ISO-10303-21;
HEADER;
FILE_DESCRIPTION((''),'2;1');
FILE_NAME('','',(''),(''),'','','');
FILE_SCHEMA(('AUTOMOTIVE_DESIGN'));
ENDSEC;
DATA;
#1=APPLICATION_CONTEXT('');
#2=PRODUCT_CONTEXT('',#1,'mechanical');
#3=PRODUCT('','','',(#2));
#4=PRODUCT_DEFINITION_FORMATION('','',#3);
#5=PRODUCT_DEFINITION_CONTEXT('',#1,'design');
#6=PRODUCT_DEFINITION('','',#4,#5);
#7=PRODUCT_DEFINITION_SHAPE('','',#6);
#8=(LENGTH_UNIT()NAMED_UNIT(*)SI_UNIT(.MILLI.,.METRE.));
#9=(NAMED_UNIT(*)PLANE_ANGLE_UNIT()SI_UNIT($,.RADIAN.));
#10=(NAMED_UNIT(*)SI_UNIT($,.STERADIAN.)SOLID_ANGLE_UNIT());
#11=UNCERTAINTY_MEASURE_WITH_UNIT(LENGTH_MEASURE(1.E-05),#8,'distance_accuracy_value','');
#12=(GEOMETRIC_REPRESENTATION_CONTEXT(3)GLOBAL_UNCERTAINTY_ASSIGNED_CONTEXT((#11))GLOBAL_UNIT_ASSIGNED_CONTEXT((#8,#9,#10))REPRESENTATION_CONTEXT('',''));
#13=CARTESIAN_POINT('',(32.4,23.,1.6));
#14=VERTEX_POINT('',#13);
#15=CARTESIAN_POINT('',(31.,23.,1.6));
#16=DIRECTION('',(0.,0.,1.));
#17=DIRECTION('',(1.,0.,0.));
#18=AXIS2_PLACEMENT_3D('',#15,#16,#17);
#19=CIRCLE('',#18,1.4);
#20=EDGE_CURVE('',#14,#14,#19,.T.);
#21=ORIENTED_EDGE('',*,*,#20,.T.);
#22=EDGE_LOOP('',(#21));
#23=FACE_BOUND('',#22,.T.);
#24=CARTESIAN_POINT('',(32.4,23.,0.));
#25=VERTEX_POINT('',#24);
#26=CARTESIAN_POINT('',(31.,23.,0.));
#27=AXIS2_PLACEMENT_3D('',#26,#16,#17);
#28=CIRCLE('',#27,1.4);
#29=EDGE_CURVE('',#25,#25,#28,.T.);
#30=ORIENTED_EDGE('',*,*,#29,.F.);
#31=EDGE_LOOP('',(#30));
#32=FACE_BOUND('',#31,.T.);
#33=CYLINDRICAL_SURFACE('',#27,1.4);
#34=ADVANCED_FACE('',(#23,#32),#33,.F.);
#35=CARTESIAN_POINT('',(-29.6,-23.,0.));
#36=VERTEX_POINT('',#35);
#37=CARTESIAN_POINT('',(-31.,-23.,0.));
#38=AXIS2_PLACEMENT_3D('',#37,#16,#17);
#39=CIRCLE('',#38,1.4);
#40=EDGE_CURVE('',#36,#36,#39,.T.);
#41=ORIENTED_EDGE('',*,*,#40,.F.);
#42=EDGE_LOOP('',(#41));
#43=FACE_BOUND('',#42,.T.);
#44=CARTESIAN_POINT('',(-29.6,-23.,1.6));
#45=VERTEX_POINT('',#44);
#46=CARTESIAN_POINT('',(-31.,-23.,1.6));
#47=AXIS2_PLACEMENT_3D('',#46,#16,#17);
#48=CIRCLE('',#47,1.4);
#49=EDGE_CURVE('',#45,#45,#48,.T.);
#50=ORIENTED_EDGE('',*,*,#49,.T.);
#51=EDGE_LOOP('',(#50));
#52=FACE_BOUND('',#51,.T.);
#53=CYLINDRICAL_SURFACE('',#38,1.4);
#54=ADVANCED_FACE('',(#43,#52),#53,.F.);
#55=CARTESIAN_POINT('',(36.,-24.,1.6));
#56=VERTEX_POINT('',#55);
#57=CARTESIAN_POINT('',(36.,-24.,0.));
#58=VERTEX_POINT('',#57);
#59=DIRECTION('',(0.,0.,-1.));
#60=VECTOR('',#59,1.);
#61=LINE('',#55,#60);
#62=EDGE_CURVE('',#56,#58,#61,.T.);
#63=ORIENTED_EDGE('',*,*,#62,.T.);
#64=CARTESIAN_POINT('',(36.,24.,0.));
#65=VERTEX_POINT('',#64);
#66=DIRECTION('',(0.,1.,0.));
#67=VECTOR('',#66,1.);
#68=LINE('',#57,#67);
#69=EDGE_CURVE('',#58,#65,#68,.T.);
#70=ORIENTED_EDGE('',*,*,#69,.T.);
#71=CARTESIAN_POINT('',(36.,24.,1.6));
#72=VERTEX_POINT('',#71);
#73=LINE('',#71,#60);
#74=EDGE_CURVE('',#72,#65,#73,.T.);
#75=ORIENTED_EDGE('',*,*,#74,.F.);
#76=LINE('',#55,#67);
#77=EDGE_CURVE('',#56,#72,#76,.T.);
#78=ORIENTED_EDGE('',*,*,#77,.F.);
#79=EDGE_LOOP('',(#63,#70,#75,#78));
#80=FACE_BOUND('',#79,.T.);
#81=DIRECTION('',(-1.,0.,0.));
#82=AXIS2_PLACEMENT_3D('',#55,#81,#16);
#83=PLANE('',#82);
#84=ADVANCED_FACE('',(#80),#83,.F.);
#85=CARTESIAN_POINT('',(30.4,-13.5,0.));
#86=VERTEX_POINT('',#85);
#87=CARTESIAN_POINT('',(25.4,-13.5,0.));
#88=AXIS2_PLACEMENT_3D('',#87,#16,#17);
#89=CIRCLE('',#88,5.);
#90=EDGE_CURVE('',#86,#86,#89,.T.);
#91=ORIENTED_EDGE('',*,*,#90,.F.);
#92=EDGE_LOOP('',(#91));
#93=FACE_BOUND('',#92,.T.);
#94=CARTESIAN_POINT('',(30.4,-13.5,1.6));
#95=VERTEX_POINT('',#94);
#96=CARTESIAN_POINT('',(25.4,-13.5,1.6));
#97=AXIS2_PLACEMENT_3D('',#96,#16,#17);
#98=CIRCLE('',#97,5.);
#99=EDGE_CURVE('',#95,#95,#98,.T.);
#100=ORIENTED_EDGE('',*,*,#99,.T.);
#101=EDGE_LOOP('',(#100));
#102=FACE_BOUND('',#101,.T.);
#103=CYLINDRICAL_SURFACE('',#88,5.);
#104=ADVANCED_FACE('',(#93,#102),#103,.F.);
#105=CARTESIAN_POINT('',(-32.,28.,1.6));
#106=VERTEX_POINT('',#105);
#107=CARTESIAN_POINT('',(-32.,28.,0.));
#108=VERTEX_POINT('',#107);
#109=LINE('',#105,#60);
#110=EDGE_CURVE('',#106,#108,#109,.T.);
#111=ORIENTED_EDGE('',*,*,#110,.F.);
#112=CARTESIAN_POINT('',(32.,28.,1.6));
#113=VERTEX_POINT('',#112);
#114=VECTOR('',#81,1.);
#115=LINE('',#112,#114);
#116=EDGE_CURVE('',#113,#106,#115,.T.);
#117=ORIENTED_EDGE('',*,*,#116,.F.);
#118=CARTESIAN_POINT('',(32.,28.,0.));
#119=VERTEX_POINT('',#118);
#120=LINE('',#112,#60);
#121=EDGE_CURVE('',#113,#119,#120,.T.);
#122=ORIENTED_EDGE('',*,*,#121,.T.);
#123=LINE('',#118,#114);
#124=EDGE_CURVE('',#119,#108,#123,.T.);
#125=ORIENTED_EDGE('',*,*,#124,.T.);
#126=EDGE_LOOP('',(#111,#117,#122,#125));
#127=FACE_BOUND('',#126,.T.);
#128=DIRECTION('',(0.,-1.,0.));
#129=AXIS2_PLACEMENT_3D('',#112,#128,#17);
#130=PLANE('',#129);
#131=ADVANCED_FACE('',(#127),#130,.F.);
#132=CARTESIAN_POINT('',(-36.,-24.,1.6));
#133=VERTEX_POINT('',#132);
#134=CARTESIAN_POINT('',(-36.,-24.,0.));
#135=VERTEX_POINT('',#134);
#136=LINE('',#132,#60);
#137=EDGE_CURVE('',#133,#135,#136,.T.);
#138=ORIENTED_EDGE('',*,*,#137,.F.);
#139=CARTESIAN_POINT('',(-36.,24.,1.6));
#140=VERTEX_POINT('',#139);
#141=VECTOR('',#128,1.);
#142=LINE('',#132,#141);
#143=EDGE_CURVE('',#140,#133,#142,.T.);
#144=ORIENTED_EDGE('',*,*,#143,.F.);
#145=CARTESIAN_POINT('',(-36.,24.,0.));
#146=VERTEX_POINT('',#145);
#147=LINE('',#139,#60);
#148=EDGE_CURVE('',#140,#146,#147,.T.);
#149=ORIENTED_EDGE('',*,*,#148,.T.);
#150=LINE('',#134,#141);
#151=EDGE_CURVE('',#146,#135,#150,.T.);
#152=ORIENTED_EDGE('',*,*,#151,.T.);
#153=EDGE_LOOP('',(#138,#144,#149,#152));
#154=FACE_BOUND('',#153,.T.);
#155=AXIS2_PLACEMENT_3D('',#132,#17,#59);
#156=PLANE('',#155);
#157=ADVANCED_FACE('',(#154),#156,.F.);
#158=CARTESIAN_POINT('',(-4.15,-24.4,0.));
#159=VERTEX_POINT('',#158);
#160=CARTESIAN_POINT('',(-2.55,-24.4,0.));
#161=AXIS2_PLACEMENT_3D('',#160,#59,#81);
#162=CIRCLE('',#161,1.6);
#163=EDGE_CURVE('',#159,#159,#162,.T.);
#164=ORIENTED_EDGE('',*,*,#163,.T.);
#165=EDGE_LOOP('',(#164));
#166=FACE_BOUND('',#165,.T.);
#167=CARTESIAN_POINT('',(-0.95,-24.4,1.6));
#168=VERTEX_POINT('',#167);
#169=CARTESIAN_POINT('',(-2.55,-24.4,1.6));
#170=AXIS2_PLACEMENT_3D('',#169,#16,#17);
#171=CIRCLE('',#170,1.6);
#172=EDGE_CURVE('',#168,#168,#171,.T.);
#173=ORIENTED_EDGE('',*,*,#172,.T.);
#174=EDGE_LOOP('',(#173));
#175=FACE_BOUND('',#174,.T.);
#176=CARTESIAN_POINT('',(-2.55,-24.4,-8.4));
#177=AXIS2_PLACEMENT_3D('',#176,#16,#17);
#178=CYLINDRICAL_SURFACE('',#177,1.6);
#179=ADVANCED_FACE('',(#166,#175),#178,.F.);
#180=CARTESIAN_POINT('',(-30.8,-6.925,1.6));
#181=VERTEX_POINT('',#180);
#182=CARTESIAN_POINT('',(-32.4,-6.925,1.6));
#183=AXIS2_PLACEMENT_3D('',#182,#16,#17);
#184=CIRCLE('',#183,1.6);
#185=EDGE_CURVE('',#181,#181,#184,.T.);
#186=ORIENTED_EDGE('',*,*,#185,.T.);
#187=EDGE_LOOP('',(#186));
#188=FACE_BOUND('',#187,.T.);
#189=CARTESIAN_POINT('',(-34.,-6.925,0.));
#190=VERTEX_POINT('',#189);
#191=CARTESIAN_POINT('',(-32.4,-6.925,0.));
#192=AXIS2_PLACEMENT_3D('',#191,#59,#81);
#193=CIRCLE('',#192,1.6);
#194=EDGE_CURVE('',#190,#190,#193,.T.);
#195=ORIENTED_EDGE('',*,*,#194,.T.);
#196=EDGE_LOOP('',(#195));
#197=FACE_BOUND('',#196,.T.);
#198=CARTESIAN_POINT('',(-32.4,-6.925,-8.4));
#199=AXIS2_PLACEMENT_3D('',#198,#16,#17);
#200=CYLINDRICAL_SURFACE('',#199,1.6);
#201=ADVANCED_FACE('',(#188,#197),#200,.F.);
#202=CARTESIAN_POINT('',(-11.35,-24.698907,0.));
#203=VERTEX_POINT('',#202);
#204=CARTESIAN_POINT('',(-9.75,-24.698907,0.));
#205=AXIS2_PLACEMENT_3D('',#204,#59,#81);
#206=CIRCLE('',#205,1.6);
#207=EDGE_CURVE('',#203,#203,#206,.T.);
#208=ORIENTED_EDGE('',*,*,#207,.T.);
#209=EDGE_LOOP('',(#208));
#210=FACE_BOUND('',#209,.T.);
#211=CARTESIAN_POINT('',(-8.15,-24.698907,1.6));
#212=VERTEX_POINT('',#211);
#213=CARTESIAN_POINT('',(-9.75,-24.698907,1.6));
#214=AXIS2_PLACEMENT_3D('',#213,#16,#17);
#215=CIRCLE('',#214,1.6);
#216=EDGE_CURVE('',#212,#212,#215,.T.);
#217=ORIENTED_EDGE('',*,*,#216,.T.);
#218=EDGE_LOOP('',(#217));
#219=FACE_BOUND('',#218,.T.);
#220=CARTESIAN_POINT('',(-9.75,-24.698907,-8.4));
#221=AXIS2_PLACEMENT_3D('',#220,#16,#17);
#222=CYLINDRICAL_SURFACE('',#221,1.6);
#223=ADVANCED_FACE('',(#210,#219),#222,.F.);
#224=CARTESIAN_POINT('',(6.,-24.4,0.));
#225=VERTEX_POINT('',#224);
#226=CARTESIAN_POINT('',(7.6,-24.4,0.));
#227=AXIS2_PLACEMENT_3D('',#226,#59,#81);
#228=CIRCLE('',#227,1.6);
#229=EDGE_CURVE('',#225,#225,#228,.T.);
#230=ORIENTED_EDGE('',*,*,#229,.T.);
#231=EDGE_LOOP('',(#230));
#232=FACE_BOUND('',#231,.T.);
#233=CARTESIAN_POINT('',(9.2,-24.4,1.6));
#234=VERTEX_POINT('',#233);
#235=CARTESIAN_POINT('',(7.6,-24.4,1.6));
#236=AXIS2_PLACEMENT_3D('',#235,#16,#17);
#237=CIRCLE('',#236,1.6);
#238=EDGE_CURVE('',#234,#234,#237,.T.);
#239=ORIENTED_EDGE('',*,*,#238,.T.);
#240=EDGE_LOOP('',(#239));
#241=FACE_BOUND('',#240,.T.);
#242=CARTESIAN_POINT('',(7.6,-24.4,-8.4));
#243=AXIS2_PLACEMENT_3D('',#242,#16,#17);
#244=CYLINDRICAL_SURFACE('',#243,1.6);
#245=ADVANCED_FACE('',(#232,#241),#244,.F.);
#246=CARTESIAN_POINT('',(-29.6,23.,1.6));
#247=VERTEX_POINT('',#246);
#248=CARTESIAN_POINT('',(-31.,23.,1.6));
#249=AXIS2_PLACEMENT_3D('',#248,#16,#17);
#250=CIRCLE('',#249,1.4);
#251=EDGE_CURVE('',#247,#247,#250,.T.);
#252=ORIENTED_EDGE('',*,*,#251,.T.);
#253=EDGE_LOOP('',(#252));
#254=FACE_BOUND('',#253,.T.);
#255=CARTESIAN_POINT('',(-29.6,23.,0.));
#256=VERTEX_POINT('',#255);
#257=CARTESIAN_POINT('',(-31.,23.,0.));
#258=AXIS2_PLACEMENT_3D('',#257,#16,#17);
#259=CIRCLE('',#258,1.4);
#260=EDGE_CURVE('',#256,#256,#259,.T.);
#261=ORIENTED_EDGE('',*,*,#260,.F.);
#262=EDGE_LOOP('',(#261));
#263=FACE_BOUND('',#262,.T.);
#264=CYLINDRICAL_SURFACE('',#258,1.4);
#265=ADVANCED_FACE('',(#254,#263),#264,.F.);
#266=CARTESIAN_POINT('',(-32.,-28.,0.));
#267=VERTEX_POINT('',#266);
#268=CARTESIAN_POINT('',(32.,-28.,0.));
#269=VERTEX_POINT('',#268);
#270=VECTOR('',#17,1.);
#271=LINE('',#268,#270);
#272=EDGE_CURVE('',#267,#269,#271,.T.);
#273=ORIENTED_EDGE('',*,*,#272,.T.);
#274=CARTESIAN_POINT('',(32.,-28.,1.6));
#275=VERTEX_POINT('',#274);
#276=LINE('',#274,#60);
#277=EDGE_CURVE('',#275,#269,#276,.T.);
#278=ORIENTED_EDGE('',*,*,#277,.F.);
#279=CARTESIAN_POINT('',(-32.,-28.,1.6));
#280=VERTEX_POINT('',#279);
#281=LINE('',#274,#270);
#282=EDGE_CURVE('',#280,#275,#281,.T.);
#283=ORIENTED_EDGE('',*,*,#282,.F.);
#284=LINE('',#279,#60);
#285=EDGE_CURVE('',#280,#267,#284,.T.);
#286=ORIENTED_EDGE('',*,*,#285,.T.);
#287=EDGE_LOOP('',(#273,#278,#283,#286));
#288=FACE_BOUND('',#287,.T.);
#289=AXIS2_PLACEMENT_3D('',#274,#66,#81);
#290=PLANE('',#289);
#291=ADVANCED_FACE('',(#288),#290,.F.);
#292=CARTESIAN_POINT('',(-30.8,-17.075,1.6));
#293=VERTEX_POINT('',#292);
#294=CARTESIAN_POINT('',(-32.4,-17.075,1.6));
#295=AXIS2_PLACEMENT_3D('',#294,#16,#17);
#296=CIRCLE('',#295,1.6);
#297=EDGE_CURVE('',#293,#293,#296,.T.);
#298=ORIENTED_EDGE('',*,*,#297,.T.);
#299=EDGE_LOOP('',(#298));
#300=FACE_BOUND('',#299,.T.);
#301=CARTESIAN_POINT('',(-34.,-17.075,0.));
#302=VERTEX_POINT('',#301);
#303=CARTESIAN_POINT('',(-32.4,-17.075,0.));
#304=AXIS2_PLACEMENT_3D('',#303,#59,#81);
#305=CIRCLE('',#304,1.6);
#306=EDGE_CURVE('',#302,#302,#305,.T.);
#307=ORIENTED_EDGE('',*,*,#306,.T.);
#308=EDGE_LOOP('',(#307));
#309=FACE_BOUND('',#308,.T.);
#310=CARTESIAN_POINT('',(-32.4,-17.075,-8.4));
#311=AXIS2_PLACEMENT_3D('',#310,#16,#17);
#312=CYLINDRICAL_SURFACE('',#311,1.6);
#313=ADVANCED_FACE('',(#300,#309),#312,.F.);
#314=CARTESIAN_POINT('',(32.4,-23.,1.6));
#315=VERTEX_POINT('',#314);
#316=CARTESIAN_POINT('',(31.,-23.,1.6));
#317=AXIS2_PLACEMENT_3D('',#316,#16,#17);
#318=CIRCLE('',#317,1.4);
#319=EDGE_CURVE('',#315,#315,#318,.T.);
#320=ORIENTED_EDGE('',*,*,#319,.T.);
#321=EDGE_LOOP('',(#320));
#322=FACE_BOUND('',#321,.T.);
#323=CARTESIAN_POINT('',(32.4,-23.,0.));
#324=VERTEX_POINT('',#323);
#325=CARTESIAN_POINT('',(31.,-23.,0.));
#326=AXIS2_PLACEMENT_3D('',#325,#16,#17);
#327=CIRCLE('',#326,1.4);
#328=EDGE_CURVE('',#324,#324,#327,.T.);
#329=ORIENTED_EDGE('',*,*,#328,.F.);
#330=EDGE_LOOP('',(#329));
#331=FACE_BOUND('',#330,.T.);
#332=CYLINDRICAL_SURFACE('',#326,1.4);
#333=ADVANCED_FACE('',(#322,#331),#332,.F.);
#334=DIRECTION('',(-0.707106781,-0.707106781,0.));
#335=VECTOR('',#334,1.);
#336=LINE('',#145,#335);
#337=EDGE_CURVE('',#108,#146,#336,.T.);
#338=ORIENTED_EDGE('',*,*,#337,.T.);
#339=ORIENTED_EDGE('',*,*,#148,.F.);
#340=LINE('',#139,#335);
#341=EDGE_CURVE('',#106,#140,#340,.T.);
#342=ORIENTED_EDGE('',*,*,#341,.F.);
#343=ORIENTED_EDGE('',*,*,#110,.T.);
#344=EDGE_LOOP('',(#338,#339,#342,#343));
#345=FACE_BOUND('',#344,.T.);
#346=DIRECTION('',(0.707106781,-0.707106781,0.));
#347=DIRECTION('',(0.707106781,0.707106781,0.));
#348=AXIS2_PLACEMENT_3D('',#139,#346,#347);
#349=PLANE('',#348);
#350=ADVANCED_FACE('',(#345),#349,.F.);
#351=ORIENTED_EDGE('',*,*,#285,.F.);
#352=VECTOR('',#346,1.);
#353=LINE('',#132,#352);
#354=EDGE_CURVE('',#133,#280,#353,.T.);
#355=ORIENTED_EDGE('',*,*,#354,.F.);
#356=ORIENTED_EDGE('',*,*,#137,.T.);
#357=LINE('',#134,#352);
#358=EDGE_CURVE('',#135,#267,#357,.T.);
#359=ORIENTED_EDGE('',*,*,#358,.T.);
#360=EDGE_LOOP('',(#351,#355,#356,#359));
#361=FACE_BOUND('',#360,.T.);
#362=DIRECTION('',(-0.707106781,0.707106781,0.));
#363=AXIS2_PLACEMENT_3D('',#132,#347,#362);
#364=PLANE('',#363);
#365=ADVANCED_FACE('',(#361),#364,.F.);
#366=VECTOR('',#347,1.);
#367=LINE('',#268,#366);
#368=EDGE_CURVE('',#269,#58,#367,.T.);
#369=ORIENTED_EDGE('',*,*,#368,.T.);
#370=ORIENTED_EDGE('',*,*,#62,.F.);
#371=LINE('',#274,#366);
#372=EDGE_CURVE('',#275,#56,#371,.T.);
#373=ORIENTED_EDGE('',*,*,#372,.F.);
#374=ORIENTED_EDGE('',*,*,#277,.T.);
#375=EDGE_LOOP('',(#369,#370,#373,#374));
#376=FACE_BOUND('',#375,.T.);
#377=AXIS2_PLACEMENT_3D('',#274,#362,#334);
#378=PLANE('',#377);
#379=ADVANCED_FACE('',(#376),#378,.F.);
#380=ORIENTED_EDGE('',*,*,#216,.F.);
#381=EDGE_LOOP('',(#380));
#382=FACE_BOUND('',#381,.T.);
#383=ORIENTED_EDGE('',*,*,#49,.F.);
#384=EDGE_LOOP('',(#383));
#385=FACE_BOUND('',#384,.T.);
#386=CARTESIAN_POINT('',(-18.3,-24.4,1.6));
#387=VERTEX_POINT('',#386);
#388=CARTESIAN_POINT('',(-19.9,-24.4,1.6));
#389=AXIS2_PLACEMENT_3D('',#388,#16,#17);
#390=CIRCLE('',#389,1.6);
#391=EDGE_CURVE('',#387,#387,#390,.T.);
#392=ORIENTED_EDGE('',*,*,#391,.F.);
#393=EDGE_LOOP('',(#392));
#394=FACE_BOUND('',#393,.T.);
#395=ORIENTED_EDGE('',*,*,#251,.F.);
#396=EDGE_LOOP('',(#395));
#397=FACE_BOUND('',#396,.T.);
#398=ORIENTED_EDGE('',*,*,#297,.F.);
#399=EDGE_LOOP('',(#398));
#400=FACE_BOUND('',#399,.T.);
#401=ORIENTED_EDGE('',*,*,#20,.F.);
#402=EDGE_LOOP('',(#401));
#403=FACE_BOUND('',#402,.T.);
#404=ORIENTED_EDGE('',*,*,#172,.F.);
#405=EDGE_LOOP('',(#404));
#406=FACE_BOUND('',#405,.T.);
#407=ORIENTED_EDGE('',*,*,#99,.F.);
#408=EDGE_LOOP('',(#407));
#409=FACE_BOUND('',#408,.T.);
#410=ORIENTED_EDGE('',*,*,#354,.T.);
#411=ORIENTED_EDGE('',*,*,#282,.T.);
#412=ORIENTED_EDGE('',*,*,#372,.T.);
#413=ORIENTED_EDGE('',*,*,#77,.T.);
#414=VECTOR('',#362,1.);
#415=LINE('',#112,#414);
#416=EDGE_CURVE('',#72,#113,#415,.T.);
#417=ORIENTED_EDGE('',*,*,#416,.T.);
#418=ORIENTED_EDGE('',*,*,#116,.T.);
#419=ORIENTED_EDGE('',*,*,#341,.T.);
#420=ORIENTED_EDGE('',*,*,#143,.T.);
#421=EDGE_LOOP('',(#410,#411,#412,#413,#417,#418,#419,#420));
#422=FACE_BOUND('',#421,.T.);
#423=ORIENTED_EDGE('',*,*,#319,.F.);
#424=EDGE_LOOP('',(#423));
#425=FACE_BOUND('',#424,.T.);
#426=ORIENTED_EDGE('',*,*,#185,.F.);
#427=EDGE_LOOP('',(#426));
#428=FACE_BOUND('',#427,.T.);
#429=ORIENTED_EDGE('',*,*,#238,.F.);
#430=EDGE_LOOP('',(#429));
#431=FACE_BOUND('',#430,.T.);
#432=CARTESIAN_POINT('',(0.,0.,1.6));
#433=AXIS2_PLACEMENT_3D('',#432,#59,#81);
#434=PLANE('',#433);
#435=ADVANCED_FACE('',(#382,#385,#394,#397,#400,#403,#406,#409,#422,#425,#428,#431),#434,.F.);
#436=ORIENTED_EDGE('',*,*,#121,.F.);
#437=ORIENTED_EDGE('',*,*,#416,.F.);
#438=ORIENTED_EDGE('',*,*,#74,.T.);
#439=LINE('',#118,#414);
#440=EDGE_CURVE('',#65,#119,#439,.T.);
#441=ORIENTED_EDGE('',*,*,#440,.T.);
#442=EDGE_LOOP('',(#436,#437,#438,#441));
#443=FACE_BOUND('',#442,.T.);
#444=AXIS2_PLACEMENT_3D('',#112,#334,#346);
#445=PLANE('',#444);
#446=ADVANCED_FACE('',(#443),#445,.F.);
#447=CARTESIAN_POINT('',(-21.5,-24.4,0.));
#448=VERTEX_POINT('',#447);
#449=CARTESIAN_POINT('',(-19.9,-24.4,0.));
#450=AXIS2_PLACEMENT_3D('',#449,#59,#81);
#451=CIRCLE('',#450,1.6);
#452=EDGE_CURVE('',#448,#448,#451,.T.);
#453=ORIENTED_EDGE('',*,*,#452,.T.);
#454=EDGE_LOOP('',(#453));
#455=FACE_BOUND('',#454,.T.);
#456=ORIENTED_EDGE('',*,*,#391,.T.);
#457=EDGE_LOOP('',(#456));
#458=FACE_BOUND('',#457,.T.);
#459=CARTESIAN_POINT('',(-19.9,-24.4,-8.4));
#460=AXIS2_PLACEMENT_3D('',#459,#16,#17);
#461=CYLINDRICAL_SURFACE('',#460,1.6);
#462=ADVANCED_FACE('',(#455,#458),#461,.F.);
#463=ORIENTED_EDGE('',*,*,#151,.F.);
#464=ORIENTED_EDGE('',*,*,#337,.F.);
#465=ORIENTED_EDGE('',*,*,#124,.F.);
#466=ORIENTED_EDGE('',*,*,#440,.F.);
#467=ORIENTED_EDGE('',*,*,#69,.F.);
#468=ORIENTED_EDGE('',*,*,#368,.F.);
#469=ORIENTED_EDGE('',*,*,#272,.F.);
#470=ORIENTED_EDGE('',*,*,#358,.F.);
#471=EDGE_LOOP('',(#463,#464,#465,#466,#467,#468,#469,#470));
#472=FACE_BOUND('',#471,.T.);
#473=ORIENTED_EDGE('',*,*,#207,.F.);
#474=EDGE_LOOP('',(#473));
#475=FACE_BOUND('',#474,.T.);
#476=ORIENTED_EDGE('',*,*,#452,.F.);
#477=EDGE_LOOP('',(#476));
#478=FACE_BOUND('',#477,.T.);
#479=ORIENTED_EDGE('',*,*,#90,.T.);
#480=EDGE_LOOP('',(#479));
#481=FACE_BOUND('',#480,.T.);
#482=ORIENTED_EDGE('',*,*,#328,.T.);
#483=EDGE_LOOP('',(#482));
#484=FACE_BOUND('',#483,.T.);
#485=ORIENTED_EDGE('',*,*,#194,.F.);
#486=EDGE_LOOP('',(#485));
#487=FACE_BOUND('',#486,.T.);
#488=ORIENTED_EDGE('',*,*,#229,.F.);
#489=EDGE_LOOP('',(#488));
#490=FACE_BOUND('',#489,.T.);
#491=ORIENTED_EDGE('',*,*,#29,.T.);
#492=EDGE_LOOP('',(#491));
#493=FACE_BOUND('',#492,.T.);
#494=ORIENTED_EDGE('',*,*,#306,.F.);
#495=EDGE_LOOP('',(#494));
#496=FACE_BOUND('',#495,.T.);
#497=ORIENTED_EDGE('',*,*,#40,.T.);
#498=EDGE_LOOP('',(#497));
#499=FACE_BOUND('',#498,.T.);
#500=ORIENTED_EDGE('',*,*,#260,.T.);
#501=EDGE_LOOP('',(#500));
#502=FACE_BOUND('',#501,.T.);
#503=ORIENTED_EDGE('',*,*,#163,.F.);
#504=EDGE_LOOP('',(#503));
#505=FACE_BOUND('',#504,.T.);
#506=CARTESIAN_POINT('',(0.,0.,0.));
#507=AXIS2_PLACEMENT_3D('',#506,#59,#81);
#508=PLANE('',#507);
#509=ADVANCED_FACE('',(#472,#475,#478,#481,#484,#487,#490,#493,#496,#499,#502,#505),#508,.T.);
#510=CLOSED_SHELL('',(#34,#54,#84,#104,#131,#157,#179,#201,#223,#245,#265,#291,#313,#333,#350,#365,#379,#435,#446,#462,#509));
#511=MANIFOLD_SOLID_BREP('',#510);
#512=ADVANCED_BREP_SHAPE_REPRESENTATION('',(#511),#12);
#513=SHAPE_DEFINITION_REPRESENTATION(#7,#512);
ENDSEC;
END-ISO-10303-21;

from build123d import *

# Parameters (mm, degrees)
BOSS_EXTRUDE1_DEPTH = 1.6
SKETCH2_R           = 1.4
CUT_EXTRUDE1_DEPTH  = 1.6
SKETCH3_R           = 5
CUT_EXTRUDE2_DEPTH  = 1.6
SKETCH4_R           = 1.6
CUT_EXTRUDE3_DEPTH  = 10


with BuildPart() as part:
    # Sketch1 → Boss-Extrude1 (new body)
    with BuildSketch(Plane.XY):
        Polygon((32, 28), (36, 24), (36, -24), (32, -28), (-32, -28), (-36, -24), (-36, 24), (-32, 28), align=None)
    extrude(amount=BOSS_EXTRUDE1_DEPTH)

    # Sketch2 → Cut-Extrude1 (cut)
    with BuildSketch(Plane.XY.offset(1.6)):
        with Locations((-31, 23)):
            Circle(SKETCH2_R)
        with Locations((31, 23)):
            Circle(SKETCH2_R)
        with Locations((-31, -23)):
            Circle(SKETCH2_R)
        with Locations((31, -23)):
            Circle(SKETCH2_R)
    extrude(amount=-CUT_EXTRUDE1_DEPTH, mode=Mode.SUBTRACT)

    # Sketch3 → Cut-Extrude2 (cut)
    with BuildSketch(Plane.XY.offset(1.6)):
        with Locations((25.4, -13.5)):
            Circle(SKETCH3_R)
    extrude(amount=-CUT_EXTRUDE2_DEPTH, mode=Mode.SUBTRACT)

    # Sketch4 → Cut-Extrude3 (cut)
    with BuildSketch(Plane.XY.offset(1.6)):
        with Locations((-19.9, -24.4)):
            Circle(SKETCH4_R)
        with Locations((-9.75, -24.698906537)):
            Circle(SKETCH4_R)
        with Locations((-2.55, -24.4)):
            Circle(SKETCH4_R)
        with Locations((7.6, -24.4)):
            Circle(SKETCH4_R)
        with Locations((-32.4, -17.075)):
            Circle(SKETCH4_R)
        with Locations((-32.4, -6.925)):
            Circle(SKETCH4_R)
    extrude(amount=-CUT_EXTRUDE3_DEPTH, mode=Mode.SUBTRACT)


solid = part.part
